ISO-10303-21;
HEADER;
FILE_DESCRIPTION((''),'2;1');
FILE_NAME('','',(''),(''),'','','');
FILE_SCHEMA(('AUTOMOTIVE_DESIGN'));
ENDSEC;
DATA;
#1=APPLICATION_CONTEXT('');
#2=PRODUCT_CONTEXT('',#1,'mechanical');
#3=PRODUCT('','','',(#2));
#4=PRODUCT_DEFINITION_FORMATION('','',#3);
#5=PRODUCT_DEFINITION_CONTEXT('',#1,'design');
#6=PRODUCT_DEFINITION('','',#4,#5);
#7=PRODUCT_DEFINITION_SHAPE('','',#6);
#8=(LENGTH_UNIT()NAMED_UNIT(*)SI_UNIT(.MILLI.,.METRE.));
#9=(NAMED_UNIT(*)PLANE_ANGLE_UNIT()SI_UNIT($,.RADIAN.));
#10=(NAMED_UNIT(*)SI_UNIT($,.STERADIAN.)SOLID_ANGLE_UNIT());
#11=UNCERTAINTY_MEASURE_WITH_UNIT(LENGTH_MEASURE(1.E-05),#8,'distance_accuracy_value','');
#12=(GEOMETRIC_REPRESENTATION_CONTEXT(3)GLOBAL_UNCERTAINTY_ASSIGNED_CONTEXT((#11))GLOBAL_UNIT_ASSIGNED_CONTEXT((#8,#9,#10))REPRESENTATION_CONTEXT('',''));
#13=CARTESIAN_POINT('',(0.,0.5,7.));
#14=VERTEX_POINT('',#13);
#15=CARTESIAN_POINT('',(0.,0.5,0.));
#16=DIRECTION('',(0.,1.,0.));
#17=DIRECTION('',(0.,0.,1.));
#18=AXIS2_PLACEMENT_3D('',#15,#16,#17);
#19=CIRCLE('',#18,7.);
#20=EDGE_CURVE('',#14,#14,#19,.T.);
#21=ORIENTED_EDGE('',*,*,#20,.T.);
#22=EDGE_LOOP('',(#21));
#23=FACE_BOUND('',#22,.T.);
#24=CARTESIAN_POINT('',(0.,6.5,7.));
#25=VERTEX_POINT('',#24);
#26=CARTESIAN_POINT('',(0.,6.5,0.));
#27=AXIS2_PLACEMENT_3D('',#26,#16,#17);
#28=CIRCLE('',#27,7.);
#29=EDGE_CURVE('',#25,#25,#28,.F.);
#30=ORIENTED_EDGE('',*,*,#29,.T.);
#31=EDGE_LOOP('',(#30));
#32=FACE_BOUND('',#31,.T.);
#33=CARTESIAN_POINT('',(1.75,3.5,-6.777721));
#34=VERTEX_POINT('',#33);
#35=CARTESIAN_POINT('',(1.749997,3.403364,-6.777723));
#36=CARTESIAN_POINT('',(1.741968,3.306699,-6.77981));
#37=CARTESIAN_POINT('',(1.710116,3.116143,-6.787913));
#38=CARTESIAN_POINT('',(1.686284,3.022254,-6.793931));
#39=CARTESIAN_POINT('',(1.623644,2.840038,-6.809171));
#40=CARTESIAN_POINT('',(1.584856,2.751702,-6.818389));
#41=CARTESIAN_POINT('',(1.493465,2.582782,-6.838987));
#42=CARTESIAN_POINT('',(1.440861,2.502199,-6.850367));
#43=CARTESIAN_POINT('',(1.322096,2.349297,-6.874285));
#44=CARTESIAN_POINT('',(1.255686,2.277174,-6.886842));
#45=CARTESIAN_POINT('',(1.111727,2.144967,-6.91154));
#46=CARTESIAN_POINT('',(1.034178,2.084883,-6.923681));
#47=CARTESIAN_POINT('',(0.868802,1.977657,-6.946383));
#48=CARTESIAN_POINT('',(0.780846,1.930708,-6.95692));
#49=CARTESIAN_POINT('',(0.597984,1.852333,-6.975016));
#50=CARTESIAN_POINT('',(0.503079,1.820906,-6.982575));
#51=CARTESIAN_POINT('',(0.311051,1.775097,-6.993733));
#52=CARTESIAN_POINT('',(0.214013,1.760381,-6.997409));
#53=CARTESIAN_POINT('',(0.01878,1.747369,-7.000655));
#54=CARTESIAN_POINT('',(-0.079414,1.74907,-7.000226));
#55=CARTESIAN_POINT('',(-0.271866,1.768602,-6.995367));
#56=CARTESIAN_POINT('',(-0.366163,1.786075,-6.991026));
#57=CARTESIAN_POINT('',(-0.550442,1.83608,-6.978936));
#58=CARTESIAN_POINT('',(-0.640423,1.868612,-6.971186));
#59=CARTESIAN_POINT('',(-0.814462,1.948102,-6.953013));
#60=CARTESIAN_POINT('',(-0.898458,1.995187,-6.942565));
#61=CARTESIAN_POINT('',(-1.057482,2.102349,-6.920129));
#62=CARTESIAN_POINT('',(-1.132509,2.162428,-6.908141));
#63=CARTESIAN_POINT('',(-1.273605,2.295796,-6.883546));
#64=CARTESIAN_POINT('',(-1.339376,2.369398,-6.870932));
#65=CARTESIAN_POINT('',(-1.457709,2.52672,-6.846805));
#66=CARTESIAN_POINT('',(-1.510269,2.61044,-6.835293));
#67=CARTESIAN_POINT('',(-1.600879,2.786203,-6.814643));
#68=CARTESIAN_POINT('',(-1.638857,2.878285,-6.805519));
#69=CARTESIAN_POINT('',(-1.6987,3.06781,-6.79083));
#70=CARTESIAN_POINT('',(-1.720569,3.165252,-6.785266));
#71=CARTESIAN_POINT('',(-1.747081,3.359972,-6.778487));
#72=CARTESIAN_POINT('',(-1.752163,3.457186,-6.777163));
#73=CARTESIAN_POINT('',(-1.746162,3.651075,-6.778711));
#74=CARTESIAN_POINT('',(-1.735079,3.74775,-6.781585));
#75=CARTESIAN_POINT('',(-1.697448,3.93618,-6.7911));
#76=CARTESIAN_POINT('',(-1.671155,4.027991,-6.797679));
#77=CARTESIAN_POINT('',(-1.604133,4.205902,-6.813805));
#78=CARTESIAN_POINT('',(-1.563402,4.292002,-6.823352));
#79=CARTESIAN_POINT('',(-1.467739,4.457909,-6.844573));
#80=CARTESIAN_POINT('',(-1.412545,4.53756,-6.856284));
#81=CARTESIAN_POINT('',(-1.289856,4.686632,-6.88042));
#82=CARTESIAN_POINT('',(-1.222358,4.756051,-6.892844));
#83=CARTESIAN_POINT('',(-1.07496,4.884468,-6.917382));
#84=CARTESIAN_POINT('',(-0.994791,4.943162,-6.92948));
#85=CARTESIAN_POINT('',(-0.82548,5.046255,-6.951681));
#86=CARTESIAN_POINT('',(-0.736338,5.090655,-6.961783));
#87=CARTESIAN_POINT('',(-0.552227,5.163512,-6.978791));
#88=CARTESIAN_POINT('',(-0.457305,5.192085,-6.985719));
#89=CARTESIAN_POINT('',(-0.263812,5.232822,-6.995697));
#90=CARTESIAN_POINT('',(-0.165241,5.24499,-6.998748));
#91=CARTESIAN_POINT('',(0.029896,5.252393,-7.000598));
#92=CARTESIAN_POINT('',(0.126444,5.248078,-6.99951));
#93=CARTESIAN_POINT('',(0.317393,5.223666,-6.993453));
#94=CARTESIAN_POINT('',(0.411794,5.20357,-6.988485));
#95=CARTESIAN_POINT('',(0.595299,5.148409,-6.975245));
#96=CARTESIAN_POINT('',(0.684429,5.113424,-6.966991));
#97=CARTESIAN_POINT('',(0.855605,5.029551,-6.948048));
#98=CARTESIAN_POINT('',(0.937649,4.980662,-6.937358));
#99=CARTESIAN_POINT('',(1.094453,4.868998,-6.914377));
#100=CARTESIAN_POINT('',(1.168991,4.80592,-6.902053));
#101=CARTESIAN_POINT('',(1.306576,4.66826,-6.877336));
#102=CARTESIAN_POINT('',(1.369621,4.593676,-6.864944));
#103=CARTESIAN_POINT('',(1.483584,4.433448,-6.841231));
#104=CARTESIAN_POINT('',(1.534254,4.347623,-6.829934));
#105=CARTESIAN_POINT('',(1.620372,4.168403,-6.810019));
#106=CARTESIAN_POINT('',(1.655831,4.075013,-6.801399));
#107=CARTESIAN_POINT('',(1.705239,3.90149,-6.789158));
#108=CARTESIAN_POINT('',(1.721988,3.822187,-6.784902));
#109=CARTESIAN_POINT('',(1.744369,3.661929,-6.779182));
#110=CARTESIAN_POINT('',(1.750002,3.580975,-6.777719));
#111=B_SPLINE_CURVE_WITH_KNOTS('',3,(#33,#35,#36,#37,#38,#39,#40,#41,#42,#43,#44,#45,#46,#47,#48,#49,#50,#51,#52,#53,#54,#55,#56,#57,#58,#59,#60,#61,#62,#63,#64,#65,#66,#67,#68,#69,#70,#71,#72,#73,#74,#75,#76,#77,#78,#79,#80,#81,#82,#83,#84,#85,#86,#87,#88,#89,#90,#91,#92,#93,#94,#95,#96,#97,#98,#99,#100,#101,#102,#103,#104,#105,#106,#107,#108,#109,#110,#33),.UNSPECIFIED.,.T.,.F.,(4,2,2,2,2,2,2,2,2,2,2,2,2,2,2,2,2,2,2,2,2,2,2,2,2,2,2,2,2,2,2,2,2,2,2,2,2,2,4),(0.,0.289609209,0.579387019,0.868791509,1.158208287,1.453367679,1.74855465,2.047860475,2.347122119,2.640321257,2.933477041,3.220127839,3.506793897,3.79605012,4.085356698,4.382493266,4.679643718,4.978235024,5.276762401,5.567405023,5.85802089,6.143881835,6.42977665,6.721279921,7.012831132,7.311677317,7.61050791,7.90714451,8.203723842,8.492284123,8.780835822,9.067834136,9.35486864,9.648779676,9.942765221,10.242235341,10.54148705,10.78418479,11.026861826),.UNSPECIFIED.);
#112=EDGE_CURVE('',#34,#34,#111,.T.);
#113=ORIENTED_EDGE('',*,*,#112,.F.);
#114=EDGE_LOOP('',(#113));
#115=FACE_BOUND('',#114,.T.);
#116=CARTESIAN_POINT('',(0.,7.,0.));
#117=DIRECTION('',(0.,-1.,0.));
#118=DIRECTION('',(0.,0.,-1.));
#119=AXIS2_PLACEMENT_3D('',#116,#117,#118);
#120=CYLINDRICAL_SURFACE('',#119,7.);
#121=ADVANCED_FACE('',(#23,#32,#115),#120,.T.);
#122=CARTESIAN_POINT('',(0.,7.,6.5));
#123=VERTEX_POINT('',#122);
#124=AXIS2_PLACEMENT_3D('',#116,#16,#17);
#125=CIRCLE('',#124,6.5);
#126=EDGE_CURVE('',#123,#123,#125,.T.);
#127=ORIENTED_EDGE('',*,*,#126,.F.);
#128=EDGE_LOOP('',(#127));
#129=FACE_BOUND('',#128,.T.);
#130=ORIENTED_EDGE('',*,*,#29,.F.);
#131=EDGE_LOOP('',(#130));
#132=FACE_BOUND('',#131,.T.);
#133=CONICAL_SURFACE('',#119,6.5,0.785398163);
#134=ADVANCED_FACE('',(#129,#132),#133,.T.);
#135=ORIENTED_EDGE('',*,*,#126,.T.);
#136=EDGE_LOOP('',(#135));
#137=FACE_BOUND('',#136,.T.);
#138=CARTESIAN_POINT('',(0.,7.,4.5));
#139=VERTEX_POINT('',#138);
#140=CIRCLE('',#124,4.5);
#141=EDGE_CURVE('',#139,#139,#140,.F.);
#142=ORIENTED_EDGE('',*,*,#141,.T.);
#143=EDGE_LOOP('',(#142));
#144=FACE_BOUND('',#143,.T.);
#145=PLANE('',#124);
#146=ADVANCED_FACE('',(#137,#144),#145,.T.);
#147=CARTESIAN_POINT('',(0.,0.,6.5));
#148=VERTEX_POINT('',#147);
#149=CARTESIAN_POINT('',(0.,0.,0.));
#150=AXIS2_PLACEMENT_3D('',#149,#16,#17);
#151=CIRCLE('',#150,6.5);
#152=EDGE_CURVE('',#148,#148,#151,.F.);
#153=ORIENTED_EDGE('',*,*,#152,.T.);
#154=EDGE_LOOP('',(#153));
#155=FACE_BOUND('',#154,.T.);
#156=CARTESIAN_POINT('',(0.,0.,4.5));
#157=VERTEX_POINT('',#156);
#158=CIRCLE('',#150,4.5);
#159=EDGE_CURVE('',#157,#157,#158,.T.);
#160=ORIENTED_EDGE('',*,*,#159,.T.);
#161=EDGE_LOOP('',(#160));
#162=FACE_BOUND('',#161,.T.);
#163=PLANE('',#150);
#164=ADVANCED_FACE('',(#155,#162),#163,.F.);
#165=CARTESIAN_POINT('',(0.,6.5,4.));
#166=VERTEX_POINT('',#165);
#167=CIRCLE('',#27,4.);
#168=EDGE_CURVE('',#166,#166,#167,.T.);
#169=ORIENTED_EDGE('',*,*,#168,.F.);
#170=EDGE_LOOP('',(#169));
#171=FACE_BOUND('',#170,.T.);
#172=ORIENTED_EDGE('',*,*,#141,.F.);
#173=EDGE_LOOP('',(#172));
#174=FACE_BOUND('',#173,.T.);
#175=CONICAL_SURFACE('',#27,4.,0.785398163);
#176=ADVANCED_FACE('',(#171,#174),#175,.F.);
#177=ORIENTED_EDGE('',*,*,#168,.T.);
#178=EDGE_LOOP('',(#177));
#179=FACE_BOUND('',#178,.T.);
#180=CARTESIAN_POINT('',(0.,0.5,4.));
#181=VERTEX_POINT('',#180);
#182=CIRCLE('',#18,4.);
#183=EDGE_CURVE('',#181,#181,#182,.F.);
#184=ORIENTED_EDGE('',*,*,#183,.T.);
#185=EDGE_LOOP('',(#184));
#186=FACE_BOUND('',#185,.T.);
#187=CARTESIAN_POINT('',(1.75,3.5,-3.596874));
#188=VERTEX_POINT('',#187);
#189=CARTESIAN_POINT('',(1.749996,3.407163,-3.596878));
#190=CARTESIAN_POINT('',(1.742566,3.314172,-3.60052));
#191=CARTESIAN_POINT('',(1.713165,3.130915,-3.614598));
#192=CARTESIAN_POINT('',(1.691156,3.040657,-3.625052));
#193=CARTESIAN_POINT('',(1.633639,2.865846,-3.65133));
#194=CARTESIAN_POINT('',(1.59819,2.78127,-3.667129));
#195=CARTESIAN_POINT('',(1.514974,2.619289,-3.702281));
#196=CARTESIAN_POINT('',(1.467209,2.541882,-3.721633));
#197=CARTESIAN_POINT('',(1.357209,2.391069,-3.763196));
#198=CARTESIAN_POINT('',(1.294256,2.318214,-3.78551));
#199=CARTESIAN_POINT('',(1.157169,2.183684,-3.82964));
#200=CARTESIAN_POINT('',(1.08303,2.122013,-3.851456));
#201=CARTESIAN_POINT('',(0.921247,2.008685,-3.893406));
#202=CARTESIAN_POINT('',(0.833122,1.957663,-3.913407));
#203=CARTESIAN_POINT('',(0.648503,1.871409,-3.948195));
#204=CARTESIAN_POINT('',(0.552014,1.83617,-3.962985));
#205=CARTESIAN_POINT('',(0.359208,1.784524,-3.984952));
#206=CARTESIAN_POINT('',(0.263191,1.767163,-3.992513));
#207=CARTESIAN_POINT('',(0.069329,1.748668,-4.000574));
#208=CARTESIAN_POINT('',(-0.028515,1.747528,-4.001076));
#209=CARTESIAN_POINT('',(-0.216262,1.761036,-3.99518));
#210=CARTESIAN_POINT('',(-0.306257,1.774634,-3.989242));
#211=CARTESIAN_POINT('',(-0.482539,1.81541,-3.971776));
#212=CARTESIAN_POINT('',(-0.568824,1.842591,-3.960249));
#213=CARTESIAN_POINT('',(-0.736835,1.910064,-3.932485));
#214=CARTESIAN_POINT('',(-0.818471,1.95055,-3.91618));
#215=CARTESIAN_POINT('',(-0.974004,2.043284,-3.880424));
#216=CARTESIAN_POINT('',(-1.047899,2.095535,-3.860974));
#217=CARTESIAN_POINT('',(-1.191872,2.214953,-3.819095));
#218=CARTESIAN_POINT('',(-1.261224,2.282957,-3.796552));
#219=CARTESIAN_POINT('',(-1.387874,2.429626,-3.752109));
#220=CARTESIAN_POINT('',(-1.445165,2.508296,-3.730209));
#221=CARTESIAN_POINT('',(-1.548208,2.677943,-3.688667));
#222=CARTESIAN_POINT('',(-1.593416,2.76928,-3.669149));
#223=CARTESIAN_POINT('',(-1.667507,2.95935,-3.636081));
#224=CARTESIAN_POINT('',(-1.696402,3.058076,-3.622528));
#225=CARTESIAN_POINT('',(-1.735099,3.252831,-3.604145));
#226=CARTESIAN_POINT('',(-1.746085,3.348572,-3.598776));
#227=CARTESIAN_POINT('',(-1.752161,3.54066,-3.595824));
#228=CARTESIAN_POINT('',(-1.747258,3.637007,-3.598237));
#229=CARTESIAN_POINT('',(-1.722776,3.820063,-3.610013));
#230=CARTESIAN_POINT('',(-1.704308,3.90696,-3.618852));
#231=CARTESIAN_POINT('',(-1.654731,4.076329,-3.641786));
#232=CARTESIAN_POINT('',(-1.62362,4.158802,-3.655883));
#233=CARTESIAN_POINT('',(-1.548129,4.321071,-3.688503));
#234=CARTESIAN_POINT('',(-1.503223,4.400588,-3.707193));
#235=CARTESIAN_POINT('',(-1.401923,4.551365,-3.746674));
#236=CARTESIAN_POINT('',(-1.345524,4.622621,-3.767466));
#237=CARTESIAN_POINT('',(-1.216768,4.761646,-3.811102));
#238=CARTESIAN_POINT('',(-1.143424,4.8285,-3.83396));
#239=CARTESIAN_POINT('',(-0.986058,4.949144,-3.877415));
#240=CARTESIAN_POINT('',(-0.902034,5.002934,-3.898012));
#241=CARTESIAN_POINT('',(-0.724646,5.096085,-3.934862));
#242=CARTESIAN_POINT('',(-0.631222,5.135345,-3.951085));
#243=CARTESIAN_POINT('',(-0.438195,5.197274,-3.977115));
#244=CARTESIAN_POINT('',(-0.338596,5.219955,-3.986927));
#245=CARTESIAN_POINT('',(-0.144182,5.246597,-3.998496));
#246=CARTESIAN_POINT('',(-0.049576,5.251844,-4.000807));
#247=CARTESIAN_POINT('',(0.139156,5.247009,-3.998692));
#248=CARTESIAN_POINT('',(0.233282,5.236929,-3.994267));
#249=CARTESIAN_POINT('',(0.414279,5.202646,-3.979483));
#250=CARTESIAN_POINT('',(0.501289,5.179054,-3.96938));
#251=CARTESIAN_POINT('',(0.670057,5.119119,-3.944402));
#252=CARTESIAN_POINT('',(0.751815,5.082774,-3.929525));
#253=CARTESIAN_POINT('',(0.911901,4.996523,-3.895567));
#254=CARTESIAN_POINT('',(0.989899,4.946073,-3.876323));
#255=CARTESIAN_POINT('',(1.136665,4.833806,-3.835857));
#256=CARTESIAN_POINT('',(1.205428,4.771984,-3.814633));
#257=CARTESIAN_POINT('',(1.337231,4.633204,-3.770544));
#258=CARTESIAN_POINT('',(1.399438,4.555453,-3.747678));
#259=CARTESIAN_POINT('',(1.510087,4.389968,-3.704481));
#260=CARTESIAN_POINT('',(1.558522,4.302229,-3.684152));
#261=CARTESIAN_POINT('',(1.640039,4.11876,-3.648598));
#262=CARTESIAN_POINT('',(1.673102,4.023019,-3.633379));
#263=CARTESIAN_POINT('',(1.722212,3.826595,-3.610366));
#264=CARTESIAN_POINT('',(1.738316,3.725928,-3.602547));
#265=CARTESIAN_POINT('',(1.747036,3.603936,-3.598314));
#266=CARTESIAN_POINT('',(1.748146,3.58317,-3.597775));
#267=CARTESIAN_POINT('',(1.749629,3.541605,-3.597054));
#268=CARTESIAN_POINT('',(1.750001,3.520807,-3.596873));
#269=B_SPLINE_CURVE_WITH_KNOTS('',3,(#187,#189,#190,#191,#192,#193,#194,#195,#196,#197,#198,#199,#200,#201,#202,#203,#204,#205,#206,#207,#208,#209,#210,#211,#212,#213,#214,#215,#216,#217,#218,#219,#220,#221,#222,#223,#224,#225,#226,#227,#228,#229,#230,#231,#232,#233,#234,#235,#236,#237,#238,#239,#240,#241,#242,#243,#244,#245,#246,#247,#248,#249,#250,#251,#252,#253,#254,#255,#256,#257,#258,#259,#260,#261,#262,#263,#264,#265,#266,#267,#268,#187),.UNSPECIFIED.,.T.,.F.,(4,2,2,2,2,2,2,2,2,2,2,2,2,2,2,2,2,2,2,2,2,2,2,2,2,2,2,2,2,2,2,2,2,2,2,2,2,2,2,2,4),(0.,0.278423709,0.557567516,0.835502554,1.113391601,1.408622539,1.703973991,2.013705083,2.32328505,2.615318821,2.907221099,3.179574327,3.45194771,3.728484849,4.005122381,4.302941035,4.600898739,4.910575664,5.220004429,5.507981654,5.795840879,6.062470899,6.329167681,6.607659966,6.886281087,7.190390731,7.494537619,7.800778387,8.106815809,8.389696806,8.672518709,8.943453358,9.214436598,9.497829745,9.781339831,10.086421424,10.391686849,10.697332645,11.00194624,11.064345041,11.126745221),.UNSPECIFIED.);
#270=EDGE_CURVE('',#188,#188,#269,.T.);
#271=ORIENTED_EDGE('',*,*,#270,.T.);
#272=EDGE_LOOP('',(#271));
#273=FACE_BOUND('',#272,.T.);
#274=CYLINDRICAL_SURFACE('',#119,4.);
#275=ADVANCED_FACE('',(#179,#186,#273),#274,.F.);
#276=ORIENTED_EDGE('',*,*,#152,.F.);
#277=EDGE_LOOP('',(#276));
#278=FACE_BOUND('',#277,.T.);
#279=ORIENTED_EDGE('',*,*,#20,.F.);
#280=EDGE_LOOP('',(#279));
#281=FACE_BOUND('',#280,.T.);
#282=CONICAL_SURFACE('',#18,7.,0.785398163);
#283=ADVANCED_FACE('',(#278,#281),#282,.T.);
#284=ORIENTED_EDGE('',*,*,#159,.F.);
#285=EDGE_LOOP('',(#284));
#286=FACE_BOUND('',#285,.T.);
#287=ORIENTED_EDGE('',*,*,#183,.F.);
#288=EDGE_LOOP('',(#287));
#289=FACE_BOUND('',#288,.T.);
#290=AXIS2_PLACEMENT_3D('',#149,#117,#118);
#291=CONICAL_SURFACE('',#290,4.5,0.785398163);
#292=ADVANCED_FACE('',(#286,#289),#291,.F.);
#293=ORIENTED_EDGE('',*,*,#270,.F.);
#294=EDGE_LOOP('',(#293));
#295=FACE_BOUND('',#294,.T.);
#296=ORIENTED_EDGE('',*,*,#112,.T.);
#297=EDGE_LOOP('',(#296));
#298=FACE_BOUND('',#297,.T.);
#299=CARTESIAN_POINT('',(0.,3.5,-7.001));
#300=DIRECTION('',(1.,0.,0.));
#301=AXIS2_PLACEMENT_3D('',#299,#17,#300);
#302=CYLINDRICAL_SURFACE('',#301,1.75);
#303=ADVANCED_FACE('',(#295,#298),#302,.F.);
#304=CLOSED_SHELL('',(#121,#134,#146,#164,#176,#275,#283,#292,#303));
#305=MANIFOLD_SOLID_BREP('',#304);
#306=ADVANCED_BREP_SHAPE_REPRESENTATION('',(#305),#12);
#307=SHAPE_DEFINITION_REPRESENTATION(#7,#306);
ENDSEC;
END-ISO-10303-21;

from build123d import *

# Parameters (mm, degrees)
SKETCH1_R               = 7
SKETCH1_R_2             = 4
BOSS_EXTRUDE1_DEPTH     = 7
CUT_EXTRUDE1_REACH      = 14.124
CUT_EXTRUDE1_END_RADIUS = 7
SKETCH2_R               = 1.75
CHAMFER1_SIZE           = 0.5


with BuildPart() as part:
    # Sketch1 → Boss-Extrude1 (new body)
    with BuildSketch(Plane(origin=(0, 0, 0), x_dir=(1, 0, 0), z_dir=(0, 1, 0))):
        with Locations(Location((0, 0, 0), (0, 0, 270))):
            Circle(SKETCH1_R)
        with Locations(Location((0, 0, 0), (0, 0, 270))):
            Circle(SKETCH1_R_2, mode=Mode.SUBTRACT)
    extrude(amount=BOSS_EXTRUDE1_DEPTH)

    # Cut-Extrude1: up to this cylinder (the profile starts inside it)
    cut_extrude1_end = Plane(origin=(0, 3.5, 0), z_dir=(0, -1, 0)) * Cylinder(CUT_EXTRUDE1_END_RADIUS, 43.248, mode=Mode.PRIVATE)
    # Sketch2 → Cut-Extrude1 (cut, up to the surface)
    with BuildSketch(Plane.XY, mode=Mode.PRIVATE) as cut_extrude1_sk1:
        with Locations((0, 3.5)):
            Circle(SKETCH2_R)
    cut_extrude1_tool1 = extrude(cut_extrude1_sk1.sketch, amount=-CUT_EXTRUDE1_REACH, mode=Mode.PRIVATE) & cut_extrude1_end
    add(cut_extrude1_tool1.solids().sort_by_distance((0, 3.5, 0))[0], mode=Mode.SUBTRACT)

    # Chamfer1
    chamfer1_edges = [part.edges().sort_by_distance(p)[0] for p in [
        (0, 0, -7),
        (0, 7, -7),
        (0, 0, -4),
        (0, 7, -4),
    ]]
    chamfer(chamfer1_edges, length=CHAMFER1_SIZE)


solid = part.part
